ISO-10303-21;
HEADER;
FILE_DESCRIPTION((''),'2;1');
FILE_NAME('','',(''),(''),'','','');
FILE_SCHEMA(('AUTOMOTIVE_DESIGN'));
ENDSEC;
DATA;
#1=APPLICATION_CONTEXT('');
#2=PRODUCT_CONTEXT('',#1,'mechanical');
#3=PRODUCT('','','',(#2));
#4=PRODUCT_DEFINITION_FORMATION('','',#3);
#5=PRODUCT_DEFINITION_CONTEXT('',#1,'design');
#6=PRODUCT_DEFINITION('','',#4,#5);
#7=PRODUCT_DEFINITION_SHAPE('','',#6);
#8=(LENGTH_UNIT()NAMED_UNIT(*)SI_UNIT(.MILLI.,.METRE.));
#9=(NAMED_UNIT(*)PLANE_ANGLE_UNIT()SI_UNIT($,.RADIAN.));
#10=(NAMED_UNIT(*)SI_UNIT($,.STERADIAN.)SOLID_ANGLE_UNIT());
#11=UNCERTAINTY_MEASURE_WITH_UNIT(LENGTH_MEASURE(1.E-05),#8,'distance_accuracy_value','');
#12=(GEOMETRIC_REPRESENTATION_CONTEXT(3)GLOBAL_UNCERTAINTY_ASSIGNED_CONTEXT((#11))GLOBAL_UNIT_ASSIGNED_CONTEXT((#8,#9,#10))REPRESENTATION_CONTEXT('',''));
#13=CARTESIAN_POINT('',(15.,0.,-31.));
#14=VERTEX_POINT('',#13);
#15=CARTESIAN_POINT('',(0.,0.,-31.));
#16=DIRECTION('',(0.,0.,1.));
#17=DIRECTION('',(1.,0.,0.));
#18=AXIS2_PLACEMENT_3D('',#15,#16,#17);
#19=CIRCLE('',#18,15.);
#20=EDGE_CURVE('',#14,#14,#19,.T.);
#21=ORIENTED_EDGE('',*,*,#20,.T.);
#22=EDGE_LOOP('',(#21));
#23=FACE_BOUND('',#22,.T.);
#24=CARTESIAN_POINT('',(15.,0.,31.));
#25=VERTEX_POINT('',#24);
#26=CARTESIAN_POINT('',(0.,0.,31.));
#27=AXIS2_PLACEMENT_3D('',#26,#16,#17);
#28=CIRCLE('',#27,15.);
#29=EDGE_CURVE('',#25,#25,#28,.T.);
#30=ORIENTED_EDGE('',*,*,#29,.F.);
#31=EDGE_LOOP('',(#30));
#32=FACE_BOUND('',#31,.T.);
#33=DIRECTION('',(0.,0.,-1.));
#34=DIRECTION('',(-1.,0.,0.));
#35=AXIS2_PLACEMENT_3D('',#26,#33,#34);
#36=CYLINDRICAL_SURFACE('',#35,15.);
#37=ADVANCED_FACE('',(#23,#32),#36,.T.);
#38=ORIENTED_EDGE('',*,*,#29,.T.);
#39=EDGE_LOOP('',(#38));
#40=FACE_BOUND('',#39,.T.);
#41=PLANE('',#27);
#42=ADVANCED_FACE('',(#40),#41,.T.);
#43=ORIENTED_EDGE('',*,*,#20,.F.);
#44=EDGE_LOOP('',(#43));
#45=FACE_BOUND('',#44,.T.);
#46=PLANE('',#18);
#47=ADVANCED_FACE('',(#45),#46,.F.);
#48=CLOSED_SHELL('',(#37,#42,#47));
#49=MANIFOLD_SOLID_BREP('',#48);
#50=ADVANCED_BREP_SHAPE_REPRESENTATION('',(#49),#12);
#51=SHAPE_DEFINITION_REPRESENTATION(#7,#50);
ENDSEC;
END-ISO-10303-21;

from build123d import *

# Parameters (mm, degrees)
SKETCH1_R           = 15
BOSS_EXTRUDE1_DEPTH = 31


with BuildPart() as part:
    # Sketch1 → Boss-Extrude1 (new body, symmetric)
    with BuildSketch(Plane.XY):
        Circle(SKETCH1_R)
    extrude(amount=BOSS_EXTRUDE1_DEPTH, both=True)


solid = part.part
